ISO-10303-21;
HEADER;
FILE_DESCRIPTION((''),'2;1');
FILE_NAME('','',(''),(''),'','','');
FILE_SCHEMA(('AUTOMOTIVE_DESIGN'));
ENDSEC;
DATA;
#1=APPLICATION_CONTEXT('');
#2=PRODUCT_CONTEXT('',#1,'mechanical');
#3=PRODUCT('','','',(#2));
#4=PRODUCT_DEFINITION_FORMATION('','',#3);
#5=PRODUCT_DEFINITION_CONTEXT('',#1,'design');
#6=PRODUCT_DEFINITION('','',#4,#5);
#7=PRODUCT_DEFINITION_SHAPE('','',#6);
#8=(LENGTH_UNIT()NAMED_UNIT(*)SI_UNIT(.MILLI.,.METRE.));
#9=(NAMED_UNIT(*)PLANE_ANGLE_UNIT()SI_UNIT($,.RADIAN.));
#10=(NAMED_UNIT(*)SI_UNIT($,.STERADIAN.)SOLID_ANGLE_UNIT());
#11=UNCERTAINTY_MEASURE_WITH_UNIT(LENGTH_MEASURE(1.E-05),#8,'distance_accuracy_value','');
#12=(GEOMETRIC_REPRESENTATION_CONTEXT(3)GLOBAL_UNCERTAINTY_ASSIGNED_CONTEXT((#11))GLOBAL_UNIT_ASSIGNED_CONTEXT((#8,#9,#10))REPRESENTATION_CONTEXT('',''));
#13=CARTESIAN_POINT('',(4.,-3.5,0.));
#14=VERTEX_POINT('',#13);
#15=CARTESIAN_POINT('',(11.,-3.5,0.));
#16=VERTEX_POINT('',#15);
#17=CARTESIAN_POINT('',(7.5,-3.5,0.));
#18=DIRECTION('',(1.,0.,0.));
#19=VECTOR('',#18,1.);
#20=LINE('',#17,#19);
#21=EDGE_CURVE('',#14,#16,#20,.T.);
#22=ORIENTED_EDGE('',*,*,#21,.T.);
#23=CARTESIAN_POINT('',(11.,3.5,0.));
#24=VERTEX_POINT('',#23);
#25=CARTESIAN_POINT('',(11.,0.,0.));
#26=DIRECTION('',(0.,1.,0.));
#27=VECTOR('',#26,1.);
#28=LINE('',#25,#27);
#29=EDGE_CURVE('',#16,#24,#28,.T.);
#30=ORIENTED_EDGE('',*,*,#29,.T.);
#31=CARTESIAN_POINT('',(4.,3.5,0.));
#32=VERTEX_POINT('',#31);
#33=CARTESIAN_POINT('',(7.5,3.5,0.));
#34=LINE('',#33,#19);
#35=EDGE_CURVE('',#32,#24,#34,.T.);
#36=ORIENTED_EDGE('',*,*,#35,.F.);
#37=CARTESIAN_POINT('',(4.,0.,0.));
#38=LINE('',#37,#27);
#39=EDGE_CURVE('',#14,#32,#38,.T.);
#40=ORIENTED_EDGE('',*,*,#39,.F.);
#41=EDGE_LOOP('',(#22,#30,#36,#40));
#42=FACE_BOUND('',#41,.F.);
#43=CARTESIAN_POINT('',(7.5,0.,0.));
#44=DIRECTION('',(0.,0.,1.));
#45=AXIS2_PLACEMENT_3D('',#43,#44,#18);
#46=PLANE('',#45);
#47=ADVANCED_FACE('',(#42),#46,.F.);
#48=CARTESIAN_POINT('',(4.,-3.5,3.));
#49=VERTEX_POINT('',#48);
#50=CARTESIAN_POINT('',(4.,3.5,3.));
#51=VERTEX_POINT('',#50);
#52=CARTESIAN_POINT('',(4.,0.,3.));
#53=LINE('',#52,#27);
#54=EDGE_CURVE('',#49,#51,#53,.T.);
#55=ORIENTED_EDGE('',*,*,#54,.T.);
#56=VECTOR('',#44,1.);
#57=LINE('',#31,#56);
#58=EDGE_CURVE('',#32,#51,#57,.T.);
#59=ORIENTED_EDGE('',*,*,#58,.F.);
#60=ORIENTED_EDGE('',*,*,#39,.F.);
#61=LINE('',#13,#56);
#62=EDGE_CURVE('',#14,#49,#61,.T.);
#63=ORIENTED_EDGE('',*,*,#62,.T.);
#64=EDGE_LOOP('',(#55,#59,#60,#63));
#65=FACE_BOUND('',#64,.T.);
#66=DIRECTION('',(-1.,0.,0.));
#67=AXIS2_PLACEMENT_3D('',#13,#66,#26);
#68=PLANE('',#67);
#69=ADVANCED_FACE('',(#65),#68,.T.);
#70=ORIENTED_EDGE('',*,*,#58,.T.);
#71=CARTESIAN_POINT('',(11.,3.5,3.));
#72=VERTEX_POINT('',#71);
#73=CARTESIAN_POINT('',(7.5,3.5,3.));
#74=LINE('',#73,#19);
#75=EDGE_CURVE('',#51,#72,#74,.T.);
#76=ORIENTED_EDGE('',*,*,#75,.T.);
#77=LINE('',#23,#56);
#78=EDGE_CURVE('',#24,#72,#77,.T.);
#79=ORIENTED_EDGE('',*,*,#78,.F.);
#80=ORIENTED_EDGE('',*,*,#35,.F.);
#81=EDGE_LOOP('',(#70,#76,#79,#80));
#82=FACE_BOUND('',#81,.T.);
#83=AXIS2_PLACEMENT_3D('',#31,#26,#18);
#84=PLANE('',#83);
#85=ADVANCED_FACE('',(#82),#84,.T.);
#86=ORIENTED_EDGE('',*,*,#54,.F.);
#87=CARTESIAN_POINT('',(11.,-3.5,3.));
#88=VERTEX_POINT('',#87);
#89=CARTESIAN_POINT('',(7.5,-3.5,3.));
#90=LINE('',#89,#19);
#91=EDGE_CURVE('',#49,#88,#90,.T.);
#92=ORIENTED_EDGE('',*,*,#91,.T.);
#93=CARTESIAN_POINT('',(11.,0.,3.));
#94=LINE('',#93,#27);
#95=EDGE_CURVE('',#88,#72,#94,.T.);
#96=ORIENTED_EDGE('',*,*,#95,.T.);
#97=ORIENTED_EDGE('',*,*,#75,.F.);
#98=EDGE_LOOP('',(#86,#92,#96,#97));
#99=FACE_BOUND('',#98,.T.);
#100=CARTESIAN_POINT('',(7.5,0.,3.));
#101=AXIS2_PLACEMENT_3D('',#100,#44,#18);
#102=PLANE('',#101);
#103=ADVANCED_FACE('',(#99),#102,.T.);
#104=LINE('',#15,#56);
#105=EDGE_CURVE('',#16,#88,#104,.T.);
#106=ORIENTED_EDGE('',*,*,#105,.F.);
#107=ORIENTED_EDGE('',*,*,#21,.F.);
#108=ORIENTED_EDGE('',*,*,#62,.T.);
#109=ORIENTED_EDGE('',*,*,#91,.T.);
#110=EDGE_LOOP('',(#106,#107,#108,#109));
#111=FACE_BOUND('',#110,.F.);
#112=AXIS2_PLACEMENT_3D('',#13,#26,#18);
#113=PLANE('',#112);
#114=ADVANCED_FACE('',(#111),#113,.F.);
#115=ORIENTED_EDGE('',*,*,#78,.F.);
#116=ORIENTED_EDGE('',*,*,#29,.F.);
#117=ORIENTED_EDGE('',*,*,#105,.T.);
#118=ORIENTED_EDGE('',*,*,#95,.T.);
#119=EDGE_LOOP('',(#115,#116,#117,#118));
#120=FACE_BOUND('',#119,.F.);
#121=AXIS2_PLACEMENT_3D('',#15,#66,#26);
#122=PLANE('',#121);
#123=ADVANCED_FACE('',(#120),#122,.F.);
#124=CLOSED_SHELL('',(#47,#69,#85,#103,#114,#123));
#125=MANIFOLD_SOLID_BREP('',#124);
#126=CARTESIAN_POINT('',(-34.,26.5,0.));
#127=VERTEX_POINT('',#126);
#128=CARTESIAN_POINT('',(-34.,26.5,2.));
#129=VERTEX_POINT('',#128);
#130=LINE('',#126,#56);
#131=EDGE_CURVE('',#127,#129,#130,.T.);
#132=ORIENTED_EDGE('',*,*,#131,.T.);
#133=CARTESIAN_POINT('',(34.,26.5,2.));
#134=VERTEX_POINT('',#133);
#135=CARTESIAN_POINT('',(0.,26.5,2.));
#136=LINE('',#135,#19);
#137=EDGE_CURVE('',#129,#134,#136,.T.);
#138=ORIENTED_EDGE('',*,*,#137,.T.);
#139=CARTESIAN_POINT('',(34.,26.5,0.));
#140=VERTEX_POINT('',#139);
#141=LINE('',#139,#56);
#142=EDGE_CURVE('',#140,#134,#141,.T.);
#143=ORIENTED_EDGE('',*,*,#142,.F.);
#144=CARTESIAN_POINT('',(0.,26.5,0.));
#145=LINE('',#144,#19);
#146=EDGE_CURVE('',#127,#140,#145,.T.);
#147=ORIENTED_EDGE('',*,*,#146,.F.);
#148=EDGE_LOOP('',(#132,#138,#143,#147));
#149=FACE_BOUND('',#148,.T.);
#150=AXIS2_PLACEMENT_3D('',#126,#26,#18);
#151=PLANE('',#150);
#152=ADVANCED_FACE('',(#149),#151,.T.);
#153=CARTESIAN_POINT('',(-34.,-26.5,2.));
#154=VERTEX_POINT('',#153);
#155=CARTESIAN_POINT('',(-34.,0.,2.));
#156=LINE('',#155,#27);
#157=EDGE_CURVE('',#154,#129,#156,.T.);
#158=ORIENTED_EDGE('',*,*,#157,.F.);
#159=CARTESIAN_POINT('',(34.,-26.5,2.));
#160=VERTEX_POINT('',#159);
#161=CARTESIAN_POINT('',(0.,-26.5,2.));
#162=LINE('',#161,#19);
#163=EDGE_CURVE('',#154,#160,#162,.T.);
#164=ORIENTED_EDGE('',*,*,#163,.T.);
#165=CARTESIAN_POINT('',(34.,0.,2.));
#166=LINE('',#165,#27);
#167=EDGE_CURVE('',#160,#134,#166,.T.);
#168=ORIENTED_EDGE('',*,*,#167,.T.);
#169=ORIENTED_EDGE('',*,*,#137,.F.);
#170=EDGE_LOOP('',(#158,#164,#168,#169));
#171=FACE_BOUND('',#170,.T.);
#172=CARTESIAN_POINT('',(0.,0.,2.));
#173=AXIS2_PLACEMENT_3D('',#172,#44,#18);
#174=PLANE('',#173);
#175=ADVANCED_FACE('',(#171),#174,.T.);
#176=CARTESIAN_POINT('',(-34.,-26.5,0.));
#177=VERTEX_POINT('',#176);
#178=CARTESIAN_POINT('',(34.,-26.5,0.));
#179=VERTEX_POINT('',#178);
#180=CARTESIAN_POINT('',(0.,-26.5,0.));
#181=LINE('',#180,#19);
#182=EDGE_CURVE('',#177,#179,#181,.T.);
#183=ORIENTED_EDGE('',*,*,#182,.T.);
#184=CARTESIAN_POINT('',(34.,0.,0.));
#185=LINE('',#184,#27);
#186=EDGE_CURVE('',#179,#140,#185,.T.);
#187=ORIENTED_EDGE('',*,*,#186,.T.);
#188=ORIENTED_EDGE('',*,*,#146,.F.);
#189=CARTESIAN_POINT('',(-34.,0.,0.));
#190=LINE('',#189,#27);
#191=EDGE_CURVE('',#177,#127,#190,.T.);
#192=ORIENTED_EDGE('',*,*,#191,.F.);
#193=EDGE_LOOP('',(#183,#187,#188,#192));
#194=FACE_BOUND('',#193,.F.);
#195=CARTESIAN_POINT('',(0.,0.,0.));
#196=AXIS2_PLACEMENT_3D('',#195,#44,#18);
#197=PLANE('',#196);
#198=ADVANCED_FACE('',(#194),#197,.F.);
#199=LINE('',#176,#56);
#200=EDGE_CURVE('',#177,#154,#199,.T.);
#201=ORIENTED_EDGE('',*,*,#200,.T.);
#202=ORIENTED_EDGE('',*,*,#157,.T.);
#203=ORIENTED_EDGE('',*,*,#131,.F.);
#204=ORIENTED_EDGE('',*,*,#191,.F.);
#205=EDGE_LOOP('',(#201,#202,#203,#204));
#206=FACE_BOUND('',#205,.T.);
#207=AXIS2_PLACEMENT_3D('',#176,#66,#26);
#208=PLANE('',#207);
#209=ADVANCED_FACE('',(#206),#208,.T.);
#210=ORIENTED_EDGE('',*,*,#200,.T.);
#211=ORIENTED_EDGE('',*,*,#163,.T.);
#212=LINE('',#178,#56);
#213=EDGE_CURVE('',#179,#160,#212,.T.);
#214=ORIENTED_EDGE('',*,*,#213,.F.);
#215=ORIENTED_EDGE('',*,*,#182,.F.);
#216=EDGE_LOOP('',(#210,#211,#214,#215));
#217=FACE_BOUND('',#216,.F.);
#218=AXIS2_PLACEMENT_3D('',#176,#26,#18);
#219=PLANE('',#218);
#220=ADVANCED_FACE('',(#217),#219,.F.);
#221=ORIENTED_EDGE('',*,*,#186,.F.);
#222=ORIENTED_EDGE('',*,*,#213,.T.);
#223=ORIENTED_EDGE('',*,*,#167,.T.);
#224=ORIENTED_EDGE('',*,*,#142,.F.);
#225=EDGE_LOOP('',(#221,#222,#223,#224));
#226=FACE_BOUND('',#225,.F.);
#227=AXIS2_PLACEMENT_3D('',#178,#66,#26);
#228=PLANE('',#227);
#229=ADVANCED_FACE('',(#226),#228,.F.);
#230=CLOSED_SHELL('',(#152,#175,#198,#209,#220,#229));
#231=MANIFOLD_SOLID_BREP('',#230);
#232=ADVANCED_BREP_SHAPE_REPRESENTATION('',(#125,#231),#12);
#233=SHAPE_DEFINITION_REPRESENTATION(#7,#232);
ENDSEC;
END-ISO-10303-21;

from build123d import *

# Parameters (mm, degrees)
F0_W     = 68
F0_H     = 53
F1_DEPTH = 2
F2_W     = 7
F2_H     = 7
F3_DEPTH = 3


with BuildPart() as f1:
    # F0 (on Top) → F1 (new body)
    with BuildSketch(Plane.XY):
        Rectangle(F0_W, F0_H)
    extrude(amount=F1_DEPTH)


with BuildPart() as f3:
    # F2 (on face) → F3 (new body)
    with BuildSketch(Plane.XY):
        with Locations((7.5, 0)):
            Rectangle(F2_W, F2_H)
    extrude(amount=F3_DEPTH)


solid = Compound([f1.part, f3.part])
